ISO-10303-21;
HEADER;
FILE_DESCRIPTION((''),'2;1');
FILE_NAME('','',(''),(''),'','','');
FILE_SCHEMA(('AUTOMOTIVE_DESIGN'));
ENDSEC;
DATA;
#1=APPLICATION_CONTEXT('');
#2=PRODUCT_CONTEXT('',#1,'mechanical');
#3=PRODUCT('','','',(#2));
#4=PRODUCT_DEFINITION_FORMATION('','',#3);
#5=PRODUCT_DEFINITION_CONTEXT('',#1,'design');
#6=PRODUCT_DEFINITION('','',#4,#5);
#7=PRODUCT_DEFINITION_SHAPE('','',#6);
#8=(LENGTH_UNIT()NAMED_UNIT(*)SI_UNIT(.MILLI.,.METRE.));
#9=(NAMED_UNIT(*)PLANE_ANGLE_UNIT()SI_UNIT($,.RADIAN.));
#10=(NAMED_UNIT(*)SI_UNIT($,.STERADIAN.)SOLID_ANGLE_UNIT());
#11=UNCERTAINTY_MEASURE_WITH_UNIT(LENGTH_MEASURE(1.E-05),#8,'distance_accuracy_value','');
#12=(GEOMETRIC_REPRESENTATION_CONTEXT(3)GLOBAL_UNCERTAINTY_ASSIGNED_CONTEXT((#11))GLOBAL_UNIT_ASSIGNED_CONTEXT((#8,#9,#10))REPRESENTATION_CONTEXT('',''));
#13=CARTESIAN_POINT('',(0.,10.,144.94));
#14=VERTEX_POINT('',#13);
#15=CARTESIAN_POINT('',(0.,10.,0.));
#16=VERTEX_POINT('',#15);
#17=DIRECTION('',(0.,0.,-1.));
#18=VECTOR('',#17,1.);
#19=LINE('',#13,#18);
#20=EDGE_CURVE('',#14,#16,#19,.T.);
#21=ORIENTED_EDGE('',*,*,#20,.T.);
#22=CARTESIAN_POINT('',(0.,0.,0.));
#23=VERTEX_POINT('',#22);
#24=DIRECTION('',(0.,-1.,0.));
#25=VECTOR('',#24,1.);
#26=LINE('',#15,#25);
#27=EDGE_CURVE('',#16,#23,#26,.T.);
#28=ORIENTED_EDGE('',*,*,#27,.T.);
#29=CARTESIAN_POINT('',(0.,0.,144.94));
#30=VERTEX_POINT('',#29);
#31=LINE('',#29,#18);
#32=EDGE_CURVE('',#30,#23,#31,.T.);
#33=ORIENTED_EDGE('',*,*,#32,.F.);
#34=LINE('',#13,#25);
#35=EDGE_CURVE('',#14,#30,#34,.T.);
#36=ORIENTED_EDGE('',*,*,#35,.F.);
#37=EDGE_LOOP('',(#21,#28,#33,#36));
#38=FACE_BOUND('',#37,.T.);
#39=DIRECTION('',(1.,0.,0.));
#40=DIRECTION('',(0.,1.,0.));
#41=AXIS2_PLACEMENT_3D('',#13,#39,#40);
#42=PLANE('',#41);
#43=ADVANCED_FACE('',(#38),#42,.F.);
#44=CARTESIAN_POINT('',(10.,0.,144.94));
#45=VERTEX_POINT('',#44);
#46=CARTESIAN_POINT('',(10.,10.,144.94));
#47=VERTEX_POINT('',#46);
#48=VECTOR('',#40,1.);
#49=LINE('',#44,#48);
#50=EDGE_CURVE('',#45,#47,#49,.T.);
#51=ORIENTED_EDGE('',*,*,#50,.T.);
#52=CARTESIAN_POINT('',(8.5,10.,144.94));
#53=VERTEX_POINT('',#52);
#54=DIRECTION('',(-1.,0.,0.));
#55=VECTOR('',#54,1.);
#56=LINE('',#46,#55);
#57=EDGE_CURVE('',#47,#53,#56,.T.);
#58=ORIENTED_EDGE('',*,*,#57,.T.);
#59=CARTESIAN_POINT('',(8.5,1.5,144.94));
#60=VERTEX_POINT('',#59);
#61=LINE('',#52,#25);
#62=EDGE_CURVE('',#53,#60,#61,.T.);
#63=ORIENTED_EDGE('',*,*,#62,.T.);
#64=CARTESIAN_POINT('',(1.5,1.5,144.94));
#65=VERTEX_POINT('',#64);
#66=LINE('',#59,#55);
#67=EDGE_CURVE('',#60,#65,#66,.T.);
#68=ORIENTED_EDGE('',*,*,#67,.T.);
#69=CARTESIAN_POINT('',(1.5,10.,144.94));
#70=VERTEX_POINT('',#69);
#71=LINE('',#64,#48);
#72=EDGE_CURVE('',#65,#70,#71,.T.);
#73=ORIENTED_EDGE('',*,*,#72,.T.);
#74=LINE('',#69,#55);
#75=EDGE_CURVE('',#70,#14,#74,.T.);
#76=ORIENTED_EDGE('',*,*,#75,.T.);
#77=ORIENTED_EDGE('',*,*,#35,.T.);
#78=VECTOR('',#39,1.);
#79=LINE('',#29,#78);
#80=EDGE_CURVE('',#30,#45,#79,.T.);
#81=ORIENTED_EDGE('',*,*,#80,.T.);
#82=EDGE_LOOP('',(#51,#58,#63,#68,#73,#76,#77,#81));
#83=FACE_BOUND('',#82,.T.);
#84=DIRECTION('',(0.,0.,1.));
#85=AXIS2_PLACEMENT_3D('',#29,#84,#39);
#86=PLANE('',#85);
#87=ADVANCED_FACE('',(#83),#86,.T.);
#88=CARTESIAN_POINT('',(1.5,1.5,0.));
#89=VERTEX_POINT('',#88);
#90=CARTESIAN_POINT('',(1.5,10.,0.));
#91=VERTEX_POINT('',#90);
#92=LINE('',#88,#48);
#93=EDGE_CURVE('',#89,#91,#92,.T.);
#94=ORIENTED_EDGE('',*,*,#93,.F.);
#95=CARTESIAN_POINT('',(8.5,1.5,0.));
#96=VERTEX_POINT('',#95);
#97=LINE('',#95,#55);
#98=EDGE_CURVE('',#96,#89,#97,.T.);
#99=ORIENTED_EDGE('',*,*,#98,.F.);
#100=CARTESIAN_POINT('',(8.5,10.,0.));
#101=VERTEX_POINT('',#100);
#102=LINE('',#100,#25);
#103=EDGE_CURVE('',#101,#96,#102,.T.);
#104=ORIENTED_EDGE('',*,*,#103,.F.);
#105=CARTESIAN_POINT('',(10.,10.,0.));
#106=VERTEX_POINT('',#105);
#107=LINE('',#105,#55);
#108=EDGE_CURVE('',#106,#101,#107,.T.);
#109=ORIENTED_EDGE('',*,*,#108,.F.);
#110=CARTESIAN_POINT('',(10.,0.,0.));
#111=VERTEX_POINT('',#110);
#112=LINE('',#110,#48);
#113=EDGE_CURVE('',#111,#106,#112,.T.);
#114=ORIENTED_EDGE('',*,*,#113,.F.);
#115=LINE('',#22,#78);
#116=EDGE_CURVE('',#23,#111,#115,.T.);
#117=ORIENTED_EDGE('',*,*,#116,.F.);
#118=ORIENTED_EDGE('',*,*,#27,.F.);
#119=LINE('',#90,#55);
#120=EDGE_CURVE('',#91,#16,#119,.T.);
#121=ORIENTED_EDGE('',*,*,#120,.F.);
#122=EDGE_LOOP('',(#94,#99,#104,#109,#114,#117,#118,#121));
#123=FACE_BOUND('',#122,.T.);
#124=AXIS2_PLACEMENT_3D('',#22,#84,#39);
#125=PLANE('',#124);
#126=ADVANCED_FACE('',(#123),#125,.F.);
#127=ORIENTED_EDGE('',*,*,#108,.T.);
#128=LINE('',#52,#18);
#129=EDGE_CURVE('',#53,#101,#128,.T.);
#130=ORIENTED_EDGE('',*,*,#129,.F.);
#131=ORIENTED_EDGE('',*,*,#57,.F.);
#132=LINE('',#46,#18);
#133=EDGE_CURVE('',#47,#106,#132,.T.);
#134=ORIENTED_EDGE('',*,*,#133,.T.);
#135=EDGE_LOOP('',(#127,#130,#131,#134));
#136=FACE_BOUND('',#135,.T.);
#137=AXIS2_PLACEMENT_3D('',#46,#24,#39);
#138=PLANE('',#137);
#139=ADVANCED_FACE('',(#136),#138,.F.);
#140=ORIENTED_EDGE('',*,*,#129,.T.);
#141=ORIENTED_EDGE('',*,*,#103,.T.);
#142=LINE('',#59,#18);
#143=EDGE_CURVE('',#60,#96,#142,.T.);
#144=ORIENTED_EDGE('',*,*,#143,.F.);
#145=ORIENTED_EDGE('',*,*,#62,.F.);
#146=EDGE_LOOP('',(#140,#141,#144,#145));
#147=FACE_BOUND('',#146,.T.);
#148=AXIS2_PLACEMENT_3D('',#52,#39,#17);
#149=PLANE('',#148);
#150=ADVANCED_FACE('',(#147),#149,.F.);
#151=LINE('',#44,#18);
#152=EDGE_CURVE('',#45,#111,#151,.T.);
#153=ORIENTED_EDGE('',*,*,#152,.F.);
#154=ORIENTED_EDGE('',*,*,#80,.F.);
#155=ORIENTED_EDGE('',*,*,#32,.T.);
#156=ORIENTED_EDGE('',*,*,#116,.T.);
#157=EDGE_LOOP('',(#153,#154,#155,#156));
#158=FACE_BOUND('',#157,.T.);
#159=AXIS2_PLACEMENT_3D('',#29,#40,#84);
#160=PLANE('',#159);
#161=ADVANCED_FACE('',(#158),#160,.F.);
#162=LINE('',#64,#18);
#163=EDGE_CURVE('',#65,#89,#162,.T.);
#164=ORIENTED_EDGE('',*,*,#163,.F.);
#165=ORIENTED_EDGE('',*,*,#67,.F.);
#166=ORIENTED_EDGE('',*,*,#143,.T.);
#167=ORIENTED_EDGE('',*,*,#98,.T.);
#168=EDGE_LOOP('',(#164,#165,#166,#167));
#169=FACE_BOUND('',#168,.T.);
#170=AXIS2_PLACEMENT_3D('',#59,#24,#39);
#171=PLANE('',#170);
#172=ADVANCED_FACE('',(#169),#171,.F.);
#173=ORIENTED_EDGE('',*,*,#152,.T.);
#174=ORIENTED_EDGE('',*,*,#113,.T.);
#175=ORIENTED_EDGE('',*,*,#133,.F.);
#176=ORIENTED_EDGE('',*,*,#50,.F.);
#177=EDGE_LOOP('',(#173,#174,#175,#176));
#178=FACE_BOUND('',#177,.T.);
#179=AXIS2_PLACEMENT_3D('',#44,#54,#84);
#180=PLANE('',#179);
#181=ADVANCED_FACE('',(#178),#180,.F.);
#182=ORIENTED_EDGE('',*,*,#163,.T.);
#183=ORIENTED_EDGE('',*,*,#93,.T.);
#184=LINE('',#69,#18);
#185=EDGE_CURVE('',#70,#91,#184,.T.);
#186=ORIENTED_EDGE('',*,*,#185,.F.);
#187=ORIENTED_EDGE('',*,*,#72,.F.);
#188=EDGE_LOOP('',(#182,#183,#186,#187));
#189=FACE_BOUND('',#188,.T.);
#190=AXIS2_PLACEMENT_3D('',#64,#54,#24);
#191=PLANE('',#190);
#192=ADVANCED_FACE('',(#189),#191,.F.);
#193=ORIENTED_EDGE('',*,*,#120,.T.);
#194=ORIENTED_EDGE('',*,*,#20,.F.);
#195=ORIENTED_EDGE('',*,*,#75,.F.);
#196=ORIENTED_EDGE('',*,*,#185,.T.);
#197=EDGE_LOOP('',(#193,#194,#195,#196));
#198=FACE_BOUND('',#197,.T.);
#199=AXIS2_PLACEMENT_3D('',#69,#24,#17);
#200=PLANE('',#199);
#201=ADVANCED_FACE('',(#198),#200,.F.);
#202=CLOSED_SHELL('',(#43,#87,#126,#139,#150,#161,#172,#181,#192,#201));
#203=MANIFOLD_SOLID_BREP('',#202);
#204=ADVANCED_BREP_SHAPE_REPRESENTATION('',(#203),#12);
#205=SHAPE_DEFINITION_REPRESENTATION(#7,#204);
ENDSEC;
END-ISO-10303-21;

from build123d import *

# Parameters (mm, degrees)
EXTRUDE_1_DEPTH = 144.94


with BuildPart() as part:
    # Эскиз1 → Бобышка-Вытянуть1 (new body)
    with BuildSketch(Plane.XY):
        Polygon((0, 0), (10, 0), (10, 10), (8.5, 10), (8.5, 1.5), (1.5, 1.5), (1.5, 10), (0, 10), align=None)
    extrude(amount=EXTRUDE_1_DEPTH)


solid = part.part
